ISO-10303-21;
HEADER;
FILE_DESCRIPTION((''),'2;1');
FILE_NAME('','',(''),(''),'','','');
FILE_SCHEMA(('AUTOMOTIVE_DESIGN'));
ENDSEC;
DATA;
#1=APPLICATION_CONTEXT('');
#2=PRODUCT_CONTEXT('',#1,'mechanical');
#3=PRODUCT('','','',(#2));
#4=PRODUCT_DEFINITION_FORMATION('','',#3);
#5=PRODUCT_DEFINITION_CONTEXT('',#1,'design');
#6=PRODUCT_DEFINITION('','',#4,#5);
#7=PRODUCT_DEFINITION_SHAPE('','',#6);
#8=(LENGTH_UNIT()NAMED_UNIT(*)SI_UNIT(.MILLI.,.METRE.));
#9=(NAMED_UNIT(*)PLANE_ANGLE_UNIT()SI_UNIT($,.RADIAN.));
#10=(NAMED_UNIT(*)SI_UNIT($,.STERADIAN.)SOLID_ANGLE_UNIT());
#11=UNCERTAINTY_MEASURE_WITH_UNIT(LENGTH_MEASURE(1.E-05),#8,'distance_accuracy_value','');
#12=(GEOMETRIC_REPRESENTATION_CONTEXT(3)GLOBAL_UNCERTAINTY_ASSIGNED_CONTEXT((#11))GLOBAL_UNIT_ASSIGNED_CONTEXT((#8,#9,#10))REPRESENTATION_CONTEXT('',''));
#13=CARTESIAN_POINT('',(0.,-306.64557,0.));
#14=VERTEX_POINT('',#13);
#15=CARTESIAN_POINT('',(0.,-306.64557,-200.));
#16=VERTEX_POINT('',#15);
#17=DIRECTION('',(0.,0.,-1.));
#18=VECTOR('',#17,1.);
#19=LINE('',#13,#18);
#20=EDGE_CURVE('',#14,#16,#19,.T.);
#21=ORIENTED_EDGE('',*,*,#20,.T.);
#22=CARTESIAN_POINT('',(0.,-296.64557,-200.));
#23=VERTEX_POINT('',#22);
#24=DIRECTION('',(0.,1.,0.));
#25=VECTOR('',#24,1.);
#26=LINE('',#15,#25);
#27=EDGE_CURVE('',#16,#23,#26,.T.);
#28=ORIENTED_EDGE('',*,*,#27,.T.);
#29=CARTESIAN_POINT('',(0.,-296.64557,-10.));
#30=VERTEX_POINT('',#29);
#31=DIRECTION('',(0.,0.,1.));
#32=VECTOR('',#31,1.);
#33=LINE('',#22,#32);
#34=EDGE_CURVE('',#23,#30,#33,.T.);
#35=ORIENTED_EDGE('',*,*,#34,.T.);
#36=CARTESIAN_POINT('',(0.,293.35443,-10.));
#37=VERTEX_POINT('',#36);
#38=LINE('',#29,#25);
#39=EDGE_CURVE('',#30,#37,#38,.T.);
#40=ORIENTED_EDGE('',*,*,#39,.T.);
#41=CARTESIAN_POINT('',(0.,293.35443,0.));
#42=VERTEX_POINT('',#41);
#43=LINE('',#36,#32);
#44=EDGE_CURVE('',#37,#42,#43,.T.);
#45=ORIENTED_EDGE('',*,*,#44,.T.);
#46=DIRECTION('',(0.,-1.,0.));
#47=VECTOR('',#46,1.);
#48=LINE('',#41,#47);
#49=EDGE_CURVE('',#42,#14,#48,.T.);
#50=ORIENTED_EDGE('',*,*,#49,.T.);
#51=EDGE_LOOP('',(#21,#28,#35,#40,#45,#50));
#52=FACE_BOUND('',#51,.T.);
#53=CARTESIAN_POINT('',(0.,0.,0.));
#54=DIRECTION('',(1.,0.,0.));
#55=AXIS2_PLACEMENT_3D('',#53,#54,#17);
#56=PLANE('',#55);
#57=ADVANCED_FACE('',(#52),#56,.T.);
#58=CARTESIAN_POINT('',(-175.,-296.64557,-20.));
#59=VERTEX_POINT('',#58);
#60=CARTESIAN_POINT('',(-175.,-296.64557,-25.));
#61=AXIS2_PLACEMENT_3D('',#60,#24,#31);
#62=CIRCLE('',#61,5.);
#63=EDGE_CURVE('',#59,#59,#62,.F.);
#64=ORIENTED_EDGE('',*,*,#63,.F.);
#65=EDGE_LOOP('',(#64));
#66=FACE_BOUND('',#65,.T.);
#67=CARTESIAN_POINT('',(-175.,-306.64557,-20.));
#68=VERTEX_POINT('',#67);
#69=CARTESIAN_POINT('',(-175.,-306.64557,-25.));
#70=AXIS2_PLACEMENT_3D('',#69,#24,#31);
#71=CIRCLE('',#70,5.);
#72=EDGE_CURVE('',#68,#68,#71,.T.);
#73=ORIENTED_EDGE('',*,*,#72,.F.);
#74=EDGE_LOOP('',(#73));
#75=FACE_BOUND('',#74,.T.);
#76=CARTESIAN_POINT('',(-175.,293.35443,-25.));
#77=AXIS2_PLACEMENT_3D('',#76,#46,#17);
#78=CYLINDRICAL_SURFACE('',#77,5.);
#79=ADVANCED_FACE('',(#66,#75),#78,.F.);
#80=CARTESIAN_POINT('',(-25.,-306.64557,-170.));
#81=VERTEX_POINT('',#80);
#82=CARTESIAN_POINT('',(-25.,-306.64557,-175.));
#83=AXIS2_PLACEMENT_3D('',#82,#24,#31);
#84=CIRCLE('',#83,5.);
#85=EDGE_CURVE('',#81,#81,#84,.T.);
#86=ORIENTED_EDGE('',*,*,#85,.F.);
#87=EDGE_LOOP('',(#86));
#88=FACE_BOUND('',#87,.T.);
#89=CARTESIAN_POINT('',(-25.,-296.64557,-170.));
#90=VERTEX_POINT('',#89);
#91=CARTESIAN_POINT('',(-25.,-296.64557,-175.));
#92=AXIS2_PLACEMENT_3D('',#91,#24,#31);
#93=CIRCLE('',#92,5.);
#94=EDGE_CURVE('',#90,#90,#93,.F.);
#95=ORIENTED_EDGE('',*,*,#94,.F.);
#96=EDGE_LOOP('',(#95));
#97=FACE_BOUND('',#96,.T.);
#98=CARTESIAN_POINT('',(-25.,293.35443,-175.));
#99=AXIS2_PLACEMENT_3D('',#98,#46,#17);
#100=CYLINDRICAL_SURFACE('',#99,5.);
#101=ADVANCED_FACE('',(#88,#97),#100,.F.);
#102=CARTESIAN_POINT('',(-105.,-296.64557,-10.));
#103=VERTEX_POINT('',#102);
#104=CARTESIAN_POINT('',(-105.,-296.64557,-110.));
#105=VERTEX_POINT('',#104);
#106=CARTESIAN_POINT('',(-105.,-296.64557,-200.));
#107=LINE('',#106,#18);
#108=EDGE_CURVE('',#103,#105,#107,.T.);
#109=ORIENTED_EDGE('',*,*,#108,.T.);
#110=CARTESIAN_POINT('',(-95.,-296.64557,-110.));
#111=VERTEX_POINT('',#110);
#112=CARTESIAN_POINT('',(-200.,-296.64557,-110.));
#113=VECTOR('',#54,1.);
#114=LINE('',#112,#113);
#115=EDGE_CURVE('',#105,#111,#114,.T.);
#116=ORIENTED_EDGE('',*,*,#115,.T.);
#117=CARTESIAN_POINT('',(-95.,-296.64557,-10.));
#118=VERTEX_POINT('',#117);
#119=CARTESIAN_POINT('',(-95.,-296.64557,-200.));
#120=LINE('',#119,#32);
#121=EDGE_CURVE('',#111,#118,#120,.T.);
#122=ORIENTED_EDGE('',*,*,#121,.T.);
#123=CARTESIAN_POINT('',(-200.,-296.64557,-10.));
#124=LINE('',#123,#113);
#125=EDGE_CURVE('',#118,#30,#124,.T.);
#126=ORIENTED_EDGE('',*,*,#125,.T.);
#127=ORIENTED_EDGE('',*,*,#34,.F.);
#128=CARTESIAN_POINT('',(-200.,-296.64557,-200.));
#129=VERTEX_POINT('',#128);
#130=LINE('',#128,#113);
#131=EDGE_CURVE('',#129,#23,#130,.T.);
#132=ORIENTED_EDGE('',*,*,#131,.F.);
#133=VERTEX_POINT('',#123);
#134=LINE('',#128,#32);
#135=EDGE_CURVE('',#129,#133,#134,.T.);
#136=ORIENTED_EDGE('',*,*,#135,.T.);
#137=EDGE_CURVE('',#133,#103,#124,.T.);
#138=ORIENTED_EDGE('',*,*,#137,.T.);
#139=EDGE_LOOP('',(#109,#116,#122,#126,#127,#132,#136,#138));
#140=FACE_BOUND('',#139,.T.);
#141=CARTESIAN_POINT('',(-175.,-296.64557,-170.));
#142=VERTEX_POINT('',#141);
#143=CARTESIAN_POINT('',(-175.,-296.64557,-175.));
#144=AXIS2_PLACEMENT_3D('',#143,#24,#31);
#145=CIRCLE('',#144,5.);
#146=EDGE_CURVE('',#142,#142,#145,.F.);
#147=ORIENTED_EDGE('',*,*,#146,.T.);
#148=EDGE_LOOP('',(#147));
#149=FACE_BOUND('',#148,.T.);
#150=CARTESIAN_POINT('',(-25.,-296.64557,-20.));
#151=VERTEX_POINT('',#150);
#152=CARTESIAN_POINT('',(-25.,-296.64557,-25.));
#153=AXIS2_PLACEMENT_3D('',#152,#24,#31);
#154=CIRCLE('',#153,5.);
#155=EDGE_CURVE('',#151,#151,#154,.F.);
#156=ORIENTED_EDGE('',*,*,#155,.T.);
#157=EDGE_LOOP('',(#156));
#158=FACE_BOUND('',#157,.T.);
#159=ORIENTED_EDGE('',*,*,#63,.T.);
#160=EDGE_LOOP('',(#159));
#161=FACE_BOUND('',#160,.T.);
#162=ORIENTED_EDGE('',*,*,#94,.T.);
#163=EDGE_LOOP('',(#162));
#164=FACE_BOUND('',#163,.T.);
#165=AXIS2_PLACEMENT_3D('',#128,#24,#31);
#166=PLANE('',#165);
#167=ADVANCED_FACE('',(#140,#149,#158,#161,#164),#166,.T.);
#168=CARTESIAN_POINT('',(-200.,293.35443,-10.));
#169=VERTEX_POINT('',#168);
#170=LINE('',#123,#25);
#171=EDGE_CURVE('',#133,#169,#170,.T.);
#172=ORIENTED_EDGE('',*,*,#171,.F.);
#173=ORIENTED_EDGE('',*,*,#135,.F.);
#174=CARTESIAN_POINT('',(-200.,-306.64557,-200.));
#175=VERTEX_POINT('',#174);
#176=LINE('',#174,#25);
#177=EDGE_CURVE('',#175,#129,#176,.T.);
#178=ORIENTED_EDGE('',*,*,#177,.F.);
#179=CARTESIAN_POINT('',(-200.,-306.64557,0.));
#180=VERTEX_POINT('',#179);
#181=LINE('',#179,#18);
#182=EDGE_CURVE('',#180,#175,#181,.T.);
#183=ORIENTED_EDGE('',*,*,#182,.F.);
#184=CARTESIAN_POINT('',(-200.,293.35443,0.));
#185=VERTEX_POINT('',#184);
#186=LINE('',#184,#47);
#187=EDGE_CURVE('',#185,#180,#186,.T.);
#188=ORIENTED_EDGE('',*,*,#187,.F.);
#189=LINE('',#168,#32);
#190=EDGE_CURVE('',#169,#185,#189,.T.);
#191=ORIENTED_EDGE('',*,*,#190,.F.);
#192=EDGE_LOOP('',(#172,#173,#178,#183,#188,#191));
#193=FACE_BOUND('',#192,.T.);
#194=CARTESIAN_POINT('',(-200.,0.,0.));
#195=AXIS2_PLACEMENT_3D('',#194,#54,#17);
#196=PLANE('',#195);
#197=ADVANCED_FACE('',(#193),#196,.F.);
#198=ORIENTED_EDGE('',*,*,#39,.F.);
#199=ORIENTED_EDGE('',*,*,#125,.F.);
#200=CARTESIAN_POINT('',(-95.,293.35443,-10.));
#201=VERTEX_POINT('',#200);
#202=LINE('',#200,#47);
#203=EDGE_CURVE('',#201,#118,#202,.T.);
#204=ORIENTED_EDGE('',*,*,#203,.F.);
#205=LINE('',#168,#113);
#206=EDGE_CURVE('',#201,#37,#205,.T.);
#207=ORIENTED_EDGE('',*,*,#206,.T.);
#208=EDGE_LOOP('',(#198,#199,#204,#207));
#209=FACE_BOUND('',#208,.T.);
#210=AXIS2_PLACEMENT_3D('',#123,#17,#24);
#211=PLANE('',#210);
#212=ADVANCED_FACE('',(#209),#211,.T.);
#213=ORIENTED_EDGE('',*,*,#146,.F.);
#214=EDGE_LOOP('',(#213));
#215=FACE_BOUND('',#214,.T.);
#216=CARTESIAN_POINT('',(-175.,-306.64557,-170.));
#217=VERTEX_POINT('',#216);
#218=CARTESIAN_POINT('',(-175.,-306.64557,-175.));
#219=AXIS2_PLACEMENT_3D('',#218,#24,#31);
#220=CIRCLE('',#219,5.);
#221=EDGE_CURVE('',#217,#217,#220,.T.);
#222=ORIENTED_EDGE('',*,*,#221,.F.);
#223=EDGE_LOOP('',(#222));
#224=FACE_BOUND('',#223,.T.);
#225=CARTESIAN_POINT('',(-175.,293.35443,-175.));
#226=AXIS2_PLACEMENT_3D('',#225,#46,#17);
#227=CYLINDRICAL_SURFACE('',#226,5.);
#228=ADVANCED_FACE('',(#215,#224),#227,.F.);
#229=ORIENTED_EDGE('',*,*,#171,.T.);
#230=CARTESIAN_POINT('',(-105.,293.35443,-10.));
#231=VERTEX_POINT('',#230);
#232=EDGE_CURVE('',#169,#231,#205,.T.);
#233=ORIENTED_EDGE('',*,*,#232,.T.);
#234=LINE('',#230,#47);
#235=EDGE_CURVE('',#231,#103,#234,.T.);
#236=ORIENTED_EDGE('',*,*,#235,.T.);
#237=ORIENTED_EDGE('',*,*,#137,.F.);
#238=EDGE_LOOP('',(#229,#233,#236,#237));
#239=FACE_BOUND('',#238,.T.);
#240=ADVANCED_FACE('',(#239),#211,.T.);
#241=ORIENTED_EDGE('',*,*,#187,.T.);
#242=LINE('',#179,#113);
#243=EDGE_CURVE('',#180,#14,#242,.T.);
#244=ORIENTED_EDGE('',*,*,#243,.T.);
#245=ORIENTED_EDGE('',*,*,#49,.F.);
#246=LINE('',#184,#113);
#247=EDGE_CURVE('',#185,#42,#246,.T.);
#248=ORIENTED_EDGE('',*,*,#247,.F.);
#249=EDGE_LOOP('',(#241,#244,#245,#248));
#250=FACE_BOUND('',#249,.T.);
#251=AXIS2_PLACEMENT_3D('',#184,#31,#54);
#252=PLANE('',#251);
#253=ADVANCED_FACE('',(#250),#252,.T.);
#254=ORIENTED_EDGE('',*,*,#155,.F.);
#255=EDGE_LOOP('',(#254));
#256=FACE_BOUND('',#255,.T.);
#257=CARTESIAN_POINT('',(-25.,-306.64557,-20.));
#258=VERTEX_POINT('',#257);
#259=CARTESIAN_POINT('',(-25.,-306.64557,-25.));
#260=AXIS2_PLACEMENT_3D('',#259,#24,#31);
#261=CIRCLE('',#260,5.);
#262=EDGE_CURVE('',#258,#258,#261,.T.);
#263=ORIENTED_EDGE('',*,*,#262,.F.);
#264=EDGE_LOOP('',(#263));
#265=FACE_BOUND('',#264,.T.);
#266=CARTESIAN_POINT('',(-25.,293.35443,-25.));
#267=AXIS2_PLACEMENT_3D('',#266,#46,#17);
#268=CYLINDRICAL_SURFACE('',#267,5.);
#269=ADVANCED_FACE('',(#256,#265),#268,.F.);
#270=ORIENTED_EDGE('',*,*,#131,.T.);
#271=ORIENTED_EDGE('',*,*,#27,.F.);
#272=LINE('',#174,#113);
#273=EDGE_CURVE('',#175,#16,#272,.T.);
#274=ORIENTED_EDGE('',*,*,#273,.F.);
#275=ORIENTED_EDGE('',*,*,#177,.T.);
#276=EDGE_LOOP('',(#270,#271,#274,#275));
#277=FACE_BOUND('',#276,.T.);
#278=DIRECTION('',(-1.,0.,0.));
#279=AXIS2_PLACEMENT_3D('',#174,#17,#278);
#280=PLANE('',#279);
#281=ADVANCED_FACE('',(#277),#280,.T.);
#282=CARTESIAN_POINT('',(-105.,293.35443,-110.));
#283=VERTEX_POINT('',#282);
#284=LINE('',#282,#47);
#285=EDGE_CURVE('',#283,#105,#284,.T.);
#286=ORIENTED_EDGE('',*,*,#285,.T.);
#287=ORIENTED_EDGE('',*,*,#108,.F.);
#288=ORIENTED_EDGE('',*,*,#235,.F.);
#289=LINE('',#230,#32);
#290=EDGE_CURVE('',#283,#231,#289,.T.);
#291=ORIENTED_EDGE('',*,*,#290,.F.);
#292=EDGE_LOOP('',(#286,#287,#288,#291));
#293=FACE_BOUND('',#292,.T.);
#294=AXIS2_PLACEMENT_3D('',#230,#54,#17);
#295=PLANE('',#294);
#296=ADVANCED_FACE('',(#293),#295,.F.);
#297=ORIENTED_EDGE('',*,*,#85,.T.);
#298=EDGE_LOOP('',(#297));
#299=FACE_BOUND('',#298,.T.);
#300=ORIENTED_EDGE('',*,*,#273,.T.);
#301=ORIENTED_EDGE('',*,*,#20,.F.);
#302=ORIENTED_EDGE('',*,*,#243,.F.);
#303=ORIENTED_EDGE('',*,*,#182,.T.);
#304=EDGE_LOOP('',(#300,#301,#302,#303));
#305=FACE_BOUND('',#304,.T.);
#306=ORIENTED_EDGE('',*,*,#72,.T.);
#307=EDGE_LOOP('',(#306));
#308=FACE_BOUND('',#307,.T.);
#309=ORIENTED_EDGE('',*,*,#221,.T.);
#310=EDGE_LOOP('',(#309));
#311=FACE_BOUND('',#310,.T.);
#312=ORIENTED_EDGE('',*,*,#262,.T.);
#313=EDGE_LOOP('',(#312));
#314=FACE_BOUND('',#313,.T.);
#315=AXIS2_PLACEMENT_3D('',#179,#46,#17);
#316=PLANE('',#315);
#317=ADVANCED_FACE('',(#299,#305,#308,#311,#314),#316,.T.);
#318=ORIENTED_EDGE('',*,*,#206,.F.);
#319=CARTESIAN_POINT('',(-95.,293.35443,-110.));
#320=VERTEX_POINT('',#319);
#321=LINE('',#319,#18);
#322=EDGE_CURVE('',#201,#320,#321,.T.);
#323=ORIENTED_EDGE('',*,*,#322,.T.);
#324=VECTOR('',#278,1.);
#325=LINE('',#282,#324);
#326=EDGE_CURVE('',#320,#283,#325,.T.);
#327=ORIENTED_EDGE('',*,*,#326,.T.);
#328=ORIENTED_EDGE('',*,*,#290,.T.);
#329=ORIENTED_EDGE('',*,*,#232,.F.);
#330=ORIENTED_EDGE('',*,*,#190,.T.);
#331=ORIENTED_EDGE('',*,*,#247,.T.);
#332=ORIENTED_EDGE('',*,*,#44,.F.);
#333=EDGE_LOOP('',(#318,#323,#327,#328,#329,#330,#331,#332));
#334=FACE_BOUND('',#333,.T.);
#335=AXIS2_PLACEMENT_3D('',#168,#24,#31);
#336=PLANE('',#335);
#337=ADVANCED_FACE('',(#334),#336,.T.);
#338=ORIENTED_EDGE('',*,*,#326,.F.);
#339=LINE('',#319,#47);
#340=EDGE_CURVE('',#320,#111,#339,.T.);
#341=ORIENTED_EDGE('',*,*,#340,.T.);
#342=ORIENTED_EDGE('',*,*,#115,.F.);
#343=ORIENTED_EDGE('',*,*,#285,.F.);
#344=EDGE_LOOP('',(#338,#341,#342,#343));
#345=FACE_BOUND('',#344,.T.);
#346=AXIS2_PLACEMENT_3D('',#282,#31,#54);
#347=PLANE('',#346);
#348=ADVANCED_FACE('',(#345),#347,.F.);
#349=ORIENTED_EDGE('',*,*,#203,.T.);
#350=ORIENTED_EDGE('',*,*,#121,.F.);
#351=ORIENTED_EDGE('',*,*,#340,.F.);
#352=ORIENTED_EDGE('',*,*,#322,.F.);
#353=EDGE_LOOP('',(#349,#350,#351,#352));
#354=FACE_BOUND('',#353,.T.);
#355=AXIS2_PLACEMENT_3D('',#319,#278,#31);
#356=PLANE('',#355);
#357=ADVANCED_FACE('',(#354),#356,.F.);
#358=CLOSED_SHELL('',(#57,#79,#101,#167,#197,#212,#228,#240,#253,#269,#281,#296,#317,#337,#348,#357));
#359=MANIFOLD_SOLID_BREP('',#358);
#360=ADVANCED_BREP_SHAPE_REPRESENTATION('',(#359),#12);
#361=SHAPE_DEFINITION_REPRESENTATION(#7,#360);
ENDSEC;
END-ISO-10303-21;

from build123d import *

# Parameters (mm, degrees)
SALIENTE_EXTRUIR1_DEPTH    = 200
SALIENTE_EXTRUIR2_DEPTH    = 590.35443
CROQUIS6_R                 = 5
CORTAR_EXTRUIR1_DEPTH      = 591.35443038
CORTAR_EXTRUIR1_DEPTH_BACK = 10.64556962


with BuildPart() as part:
    # Croquis2 → Saliente-Extruir1 (new body)
    with BuildSketch(Plane(origin=(0, 0, 0), x_dir=(0, 0, -1), z_dir=(1, 0, 0))):
        Polygon((0, 293.35443038), (0, -306.64556962), (200, -306.64556962), (200, -296.64556962), (10, -296.64556962), (10, 293.35443038), align=None)
    extrude(amount=-SALIENTE_EXTRUIR1_DEPTH)

    # Croquis5 → Saliente-Extruir2 (add, through all)
    with BuildSketch(Plane(origin=(0, -297, 0), x_dir=(1, 0, 0), z_dir=(0, 1, 0))):
        Polygon((-100, 10), (-105, 10), (-105, 110), (-95, 110), (-95, 10), align=None)
    extrude(amount=SALIENTE_EXTRUIR2_DEPTH)

    # Croquis6 → Cortar-Extruir1 (cut, two sides)
    with BuildSketch(Plane(origin=(0, -297, 0), x_dir=(1, 0, 0), z_dir=(0, 1, 0))) as cortar_extruir1_sk:
        with Locations((-175, 175)):
            Circle(CROQUIS6_R)
        with Locations((-25, 175)):
            Circle(CROQUIS6_R)
        with Locations((-25, 25)):
            Circle(CROQUIS6_R)
        with Locations((-175, 25)):
            Circle(CROQUIS6_R)
    extrude(amount=CORTAR_EXTRUIR1_DEPTH, mode=Mode.SUBTRACT)
    extrude(cortar_extruir1_sk.sketch, amount=-CORTAR_EXTRUIR1_DEPTH_BACK, mode=Mode.SUBTRACT)


solid = part.part
